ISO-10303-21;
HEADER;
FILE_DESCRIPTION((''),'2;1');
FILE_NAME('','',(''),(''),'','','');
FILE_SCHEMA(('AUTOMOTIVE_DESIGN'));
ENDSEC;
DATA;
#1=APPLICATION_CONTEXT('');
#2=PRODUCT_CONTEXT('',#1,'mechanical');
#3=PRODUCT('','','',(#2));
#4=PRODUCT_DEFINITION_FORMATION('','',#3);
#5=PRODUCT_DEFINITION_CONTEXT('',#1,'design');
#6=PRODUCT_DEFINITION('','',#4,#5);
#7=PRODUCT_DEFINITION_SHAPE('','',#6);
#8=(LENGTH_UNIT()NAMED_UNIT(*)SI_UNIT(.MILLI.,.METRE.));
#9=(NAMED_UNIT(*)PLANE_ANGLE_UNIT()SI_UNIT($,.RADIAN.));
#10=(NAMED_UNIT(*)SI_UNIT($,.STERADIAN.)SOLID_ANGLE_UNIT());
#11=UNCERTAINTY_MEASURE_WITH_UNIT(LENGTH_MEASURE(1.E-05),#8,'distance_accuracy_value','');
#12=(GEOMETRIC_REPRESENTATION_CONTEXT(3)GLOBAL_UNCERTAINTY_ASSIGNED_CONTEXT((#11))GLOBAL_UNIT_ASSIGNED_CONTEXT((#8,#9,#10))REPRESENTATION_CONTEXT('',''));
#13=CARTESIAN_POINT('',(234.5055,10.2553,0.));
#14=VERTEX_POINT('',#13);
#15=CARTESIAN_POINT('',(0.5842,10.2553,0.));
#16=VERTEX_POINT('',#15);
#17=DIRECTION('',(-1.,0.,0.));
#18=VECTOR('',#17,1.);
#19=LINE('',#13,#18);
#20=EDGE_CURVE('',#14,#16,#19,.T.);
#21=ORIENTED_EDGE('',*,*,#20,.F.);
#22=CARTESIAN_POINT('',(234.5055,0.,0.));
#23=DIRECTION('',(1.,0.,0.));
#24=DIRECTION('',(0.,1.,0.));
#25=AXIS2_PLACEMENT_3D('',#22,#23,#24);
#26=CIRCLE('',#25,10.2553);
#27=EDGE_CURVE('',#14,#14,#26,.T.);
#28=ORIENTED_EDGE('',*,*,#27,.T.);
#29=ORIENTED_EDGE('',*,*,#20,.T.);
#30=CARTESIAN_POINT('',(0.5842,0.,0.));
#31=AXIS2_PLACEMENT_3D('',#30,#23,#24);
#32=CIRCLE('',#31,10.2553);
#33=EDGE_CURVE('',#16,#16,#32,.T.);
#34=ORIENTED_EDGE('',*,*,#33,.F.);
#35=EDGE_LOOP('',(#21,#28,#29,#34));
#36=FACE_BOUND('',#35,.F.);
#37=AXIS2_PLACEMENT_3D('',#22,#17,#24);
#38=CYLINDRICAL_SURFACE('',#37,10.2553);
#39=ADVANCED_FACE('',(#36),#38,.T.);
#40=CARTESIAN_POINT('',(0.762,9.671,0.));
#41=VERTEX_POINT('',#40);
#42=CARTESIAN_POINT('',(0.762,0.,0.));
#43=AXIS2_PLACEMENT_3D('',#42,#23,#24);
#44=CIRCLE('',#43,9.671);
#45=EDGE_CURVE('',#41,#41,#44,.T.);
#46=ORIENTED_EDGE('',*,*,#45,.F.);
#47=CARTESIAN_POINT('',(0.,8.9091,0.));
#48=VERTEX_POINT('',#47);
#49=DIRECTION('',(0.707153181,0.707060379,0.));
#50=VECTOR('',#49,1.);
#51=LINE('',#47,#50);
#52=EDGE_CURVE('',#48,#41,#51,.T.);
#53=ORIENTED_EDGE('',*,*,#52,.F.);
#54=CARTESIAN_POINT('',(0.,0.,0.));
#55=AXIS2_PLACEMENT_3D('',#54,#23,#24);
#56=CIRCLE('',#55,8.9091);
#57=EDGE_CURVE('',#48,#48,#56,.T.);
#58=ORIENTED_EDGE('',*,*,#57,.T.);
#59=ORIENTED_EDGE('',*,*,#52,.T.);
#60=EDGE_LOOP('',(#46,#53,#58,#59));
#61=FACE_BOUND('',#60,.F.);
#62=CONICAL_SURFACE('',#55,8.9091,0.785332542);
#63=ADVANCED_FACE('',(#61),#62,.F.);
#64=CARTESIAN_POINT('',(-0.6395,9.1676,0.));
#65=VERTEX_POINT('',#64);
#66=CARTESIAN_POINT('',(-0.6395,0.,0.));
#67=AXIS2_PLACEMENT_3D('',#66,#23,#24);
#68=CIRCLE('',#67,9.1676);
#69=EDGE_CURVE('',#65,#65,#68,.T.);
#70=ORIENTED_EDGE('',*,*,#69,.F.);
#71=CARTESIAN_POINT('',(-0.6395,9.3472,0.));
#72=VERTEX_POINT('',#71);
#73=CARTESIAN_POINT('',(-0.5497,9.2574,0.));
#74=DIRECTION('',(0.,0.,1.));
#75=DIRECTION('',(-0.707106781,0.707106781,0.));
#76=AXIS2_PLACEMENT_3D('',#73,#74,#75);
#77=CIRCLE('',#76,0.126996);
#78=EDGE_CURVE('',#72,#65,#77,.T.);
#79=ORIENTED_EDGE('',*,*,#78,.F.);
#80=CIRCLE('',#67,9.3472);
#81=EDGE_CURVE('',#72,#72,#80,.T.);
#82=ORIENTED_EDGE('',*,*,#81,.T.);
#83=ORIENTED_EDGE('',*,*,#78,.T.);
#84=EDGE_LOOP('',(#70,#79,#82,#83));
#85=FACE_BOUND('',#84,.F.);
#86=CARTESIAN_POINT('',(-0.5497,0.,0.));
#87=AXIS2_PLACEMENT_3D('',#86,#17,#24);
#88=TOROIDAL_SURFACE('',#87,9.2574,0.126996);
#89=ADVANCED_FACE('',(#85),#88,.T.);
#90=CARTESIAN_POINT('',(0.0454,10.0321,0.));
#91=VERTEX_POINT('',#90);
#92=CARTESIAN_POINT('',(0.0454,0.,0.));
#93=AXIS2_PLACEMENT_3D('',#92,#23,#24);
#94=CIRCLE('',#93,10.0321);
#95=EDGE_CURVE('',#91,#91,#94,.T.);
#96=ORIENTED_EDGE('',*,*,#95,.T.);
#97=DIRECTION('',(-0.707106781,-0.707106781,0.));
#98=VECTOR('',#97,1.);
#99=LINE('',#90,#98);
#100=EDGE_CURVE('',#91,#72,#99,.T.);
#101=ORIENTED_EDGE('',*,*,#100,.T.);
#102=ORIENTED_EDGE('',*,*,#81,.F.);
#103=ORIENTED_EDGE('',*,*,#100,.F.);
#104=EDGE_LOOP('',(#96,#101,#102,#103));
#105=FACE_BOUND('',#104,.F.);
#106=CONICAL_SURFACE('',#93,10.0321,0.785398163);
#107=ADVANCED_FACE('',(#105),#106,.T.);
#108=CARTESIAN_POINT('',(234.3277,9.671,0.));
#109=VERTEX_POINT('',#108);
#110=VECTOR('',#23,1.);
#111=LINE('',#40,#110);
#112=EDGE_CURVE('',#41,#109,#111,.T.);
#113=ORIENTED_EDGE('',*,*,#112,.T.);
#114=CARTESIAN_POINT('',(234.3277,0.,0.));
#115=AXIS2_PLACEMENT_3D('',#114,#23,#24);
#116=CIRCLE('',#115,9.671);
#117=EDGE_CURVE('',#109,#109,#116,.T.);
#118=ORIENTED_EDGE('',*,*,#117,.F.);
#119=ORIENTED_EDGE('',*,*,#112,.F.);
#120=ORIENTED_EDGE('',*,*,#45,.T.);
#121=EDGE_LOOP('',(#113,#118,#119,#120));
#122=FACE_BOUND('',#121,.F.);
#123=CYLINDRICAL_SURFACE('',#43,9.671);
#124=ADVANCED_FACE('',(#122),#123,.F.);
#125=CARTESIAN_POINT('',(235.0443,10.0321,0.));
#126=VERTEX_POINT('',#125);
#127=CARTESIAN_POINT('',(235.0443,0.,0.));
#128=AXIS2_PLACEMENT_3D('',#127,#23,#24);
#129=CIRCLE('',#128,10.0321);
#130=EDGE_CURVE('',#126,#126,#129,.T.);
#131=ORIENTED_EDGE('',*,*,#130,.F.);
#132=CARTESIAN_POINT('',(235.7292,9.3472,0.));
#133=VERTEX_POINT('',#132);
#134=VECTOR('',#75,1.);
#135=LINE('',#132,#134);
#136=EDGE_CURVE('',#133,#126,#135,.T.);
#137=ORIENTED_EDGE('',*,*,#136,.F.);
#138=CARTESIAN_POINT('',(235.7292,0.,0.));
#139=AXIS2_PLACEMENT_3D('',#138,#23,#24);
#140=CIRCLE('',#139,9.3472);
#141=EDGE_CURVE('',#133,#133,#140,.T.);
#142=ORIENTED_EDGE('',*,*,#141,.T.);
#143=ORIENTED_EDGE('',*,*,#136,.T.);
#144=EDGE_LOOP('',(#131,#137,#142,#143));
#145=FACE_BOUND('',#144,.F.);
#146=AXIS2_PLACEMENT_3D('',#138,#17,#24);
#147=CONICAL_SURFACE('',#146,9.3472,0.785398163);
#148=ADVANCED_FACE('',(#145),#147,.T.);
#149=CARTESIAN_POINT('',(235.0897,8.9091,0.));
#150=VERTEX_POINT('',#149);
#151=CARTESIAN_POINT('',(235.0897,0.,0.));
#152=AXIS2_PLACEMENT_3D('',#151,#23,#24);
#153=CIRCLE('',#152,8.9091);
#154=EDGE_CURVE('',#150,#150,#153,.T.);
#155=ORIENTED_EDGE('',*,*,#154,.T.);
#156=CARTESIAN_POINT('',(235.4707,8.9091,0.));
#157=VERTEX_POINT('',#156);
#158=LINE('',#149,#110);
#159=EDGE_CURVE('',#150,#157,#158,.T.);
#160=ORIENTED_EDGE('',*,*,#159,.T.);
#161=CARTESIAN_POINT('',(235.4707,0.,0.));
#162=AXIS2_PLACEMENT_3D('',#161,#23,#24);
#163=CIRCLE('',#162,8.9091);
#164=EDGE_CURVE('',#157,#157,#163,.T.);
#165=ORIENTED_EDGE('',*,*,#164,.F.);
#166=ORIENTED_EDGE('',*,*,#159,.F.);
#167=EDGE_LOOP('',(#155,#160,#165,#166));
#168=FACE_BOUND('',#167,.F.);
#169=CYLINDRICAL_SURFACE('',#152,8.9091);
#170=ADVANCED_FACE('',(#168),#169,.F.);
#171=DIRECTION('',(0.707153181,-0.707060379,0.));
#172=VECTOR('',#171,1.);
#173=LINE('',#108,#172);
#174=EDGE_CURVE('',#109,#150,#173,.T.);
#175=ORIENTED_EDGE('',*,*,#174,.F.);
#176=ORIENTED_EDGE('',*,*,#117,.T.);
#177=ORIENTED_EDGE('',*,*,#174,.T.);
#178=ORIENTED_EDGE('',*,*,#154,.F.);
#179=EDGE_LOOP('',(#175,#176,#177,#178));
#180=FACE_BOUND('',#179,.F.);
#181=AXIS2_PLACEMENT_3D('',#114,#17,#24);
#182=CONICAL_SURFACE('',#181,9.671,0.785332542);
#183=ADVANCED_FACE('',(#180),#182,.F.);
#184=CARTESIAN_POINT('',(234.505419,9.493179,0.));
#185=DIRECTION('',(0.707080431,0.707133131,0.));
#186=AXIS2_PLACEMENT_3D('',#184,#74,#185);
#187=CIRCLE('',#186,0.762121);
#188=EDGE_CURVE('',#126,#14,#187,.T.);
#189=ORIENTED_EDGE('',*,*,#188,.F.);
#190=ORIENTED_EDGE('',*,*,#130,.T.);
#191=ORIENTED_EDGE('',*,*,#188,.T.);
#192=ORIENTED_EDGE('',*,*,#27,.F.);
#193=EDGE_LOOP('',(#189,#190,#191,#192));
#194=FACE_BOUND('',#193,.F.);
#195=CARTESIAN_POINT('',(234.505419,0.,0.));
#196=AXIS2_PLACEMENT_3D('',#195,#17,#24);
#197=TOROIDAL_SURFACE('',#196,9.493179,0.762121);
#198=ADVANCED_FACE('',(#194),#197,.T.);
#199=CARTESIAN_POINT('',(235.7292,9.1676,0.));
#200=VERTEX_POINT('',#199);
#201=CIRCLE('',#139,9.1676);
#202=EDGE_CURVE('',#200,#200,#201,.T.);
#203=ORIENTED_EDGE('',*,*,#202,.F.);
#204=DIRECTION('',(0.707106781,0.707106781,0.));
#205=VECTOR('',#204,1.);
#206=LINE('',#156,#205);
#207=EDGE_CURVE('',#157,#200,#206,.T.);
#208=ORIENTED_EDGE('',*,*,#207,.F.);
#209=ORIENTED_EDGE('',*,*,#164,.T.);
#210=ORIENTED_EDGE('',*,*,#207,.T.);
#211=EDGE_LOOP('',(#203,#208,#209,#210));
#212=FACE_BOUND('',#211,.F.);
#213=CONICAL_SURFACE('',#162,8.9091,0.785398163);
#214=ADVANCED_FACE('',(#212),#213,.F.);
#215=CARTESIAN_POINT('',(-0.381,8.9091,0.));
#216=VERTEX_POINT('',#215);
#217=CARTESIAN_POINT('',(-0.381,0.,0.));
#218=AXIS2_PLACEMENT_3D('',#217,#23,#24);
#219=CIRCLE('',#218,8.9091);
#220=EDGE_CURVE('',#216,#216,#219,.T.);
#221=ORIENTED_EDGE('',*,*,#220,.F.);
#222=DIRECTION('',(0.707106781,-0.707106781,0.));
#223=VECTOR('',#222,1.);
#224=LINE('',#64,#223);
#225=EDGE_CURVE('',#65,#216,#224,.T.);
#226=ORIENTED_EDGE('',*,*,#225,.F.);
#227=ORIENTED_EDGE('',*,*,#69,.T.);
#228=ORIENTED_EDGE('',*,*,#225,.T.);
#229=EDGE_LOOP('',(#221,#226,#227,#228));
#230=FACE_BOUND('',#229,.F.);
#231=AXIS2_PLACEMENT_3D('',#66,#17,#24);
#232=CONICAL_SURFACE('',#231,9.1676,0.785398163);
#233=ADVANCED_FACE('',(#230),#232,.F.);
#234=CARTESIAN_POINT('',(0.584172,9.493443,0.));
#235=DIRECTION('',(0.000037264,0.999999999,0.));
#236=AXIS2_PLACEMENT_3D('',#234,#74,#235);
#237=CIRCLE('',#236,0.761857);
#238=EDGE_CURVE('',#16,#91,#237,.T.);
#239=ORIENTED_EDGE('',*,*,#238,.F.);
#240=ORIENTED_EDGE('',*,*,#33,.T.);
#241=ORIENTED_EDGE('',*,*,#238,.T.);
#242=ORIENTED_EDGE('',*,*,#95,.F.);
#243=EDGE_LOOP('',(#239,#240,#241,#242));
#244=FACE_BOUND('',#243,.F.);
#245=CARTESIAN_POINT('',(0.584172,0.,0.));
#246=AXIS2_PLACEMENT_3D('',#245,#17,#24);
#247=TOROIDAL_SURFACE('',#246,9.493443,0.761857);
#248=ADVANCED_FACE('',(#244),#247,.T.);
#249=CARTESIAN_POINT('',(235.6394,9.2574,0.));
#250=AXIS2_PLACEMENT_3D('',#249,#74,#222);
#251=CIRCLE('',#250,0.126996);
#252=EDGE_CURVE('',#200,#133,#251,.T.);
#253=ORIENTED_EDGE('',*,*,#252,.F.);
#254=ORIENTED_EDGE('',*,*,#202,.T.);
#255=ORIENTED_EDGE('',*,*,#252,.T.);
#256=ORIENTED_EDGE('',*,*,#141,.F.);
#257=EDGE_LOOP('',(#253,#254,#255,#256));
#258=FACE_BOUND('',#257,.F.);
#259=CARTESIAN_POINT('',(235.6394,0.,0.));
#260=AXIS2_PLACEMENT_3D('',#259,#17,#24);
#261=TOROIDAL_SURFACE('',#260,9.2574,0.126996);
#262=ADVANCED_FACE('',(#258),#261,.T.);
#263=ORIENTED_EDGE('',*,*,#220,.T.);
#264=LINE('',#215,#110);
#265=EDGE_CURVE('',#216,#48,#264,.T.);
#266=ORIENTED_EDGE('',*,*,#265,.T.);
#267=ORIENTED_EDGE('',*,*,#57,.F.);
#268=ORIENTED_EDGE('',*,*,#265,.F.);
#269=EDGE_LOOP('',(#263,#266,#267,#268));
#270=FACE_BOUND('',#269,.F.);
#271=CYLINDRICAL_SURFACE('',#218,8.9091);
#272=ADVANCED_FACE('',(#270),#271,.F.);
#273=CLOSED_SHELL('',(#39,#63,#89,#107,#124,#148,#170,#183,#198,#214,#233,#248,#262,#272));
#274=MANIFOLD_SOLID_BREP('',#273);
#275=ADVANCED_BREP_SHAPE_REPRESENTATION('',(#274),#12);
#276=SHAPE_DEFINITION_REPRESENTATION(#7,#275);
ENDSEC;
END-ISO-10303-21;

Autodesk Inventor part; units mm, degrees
sketch "Sketch_1" plane through (0, 0, 0) normal (0, 0, 1) x (1, 0, 0)
  line L0 (235.0897, 0) -> (0, 0)
  arc A0 (-0.6395, 9.3472) -> (-0.6395, 9.1676) centre (-0.5497, 9.2574) ccw
  line L1 (-0.6395, 9.1676) -> (-0.381, 8.9091)
  line L2 (-0.381, 8.9091) -> (0, 8.9091)
  line L3 (0, 8.9091) -> (0.762, 9.671)
  line L4 (0.762, 9.671) -> (234.3277, 9.671)
  line L5 (234.3277, 9.671) -> (235.0897, 8.9091)
  line L6 (235.0897, 8.9091) -> (235.4707, 8.9091)
  line L7 (235.4707, 8.9091) -> (235.7292, 9.1676)
  arc A1 (235.7292, 9.1676) -> (235.7292, 9.3472) centre (235.6394, 9.2574) ccw
  line L8 (235.7292, 9.3472) -> (235.0443, 10.0321)
  arc A2 (235.0443, 10.0321) -> (234.5055, 10.2553) centre (234.5055, 9.4933) ccw
  line L9 (234.5055, 10.2553) -> (0.5842, 10.2553)
  arc A3 (0.5842, 10.2553) -> (0.0454, 10.0321) centre (0.5842, 9.4933) ccw
  line L10 (0.0454, 10.0321) -> (-0.6395, 9.3472)
revolve "Revolution1" add sketch "Sketch_1" angle 360 about axis through (235.0897, 0, 0) along (1, 0, 0)
ref_plane "tube_front_XY" through (0, 0, 0) normal (1, 0, 0) x (0, 0, -1)
ref_plane "tube_front_YZ" through (0, 0, 0) normal (0, 0, -1) x (0, 1, 0)
ref_plane "tube_front_ZX" through (0, 0, 0) normal (0, 1, 0) x (1, 0, 0)
ref_plane "tube_rear_XY" through (235.0897, 0, 0) normal (1, 0, 0) x (0, 0, -1)
ref_plane "tube_rear_YZ" through (235.0897, 0, 0) normal (0, 0, -1) x (0, 1, 0)
ref_plane "tube_rear_ZX" through (235.0897, 0, 0) normal (0, 1, 0) x (1, 0, 0)
ref_plane "cp1_XY" through (117.5449, 10.2553, 0) normal (1, 0, 0) x (0, 0, -1)
ref_plane "cp1_YZ" through (117.5449, 10.2553, 0) normal (0, 0, -1) x (0, 1, 0)
ref_plane "cp1_ZX" through (117.5449, 10.2553, 0) normal (0, 1, 0) x (1, 0, 0)
ref_plane "cp2_XY" through (117.5449, 0, -10.2553) normal (1, 0, 0) x (0, 0, -1)
ref_plane "cp2_YZ" through (117.5449, 0, -10.2553) normal (0, 0, -1) x (0, 1, 0)
ref_plane "cp2_ZX" through (117.5449, 0, -10.2553) normal (0, 1, 0) x (1, 0, 0)
ref_plane "cp3_XY" through (117.5449, -10.2553, 0) normal (1, 0, 0) x (0, 0, -1)
ref_plane "cp3_YZ" through (117.5449, -10.2553, 0) normal (0, 0, -1) x (0, 1, 0)
ref_plane "cp3_ZX" through (117.5449, -10.2553, 0) normal (0, 1, 0) x (1, 0, 0)
ref_plane "cp4_XY" through (117.5449, 0, 10.2553) normal (1, 0, 0) x (0, 0, -1)
ref_plane "cp4_YZ" through (117.5449, 0, 10.2553) normal (0, 0, -1) x (0, 1, 0)
ref_plane "cp4_ZX" through (117.5449, 0, 10.2553) normal (0, 1, 0) x (1, 0, 0)
properties part number "04R-9.25550"
